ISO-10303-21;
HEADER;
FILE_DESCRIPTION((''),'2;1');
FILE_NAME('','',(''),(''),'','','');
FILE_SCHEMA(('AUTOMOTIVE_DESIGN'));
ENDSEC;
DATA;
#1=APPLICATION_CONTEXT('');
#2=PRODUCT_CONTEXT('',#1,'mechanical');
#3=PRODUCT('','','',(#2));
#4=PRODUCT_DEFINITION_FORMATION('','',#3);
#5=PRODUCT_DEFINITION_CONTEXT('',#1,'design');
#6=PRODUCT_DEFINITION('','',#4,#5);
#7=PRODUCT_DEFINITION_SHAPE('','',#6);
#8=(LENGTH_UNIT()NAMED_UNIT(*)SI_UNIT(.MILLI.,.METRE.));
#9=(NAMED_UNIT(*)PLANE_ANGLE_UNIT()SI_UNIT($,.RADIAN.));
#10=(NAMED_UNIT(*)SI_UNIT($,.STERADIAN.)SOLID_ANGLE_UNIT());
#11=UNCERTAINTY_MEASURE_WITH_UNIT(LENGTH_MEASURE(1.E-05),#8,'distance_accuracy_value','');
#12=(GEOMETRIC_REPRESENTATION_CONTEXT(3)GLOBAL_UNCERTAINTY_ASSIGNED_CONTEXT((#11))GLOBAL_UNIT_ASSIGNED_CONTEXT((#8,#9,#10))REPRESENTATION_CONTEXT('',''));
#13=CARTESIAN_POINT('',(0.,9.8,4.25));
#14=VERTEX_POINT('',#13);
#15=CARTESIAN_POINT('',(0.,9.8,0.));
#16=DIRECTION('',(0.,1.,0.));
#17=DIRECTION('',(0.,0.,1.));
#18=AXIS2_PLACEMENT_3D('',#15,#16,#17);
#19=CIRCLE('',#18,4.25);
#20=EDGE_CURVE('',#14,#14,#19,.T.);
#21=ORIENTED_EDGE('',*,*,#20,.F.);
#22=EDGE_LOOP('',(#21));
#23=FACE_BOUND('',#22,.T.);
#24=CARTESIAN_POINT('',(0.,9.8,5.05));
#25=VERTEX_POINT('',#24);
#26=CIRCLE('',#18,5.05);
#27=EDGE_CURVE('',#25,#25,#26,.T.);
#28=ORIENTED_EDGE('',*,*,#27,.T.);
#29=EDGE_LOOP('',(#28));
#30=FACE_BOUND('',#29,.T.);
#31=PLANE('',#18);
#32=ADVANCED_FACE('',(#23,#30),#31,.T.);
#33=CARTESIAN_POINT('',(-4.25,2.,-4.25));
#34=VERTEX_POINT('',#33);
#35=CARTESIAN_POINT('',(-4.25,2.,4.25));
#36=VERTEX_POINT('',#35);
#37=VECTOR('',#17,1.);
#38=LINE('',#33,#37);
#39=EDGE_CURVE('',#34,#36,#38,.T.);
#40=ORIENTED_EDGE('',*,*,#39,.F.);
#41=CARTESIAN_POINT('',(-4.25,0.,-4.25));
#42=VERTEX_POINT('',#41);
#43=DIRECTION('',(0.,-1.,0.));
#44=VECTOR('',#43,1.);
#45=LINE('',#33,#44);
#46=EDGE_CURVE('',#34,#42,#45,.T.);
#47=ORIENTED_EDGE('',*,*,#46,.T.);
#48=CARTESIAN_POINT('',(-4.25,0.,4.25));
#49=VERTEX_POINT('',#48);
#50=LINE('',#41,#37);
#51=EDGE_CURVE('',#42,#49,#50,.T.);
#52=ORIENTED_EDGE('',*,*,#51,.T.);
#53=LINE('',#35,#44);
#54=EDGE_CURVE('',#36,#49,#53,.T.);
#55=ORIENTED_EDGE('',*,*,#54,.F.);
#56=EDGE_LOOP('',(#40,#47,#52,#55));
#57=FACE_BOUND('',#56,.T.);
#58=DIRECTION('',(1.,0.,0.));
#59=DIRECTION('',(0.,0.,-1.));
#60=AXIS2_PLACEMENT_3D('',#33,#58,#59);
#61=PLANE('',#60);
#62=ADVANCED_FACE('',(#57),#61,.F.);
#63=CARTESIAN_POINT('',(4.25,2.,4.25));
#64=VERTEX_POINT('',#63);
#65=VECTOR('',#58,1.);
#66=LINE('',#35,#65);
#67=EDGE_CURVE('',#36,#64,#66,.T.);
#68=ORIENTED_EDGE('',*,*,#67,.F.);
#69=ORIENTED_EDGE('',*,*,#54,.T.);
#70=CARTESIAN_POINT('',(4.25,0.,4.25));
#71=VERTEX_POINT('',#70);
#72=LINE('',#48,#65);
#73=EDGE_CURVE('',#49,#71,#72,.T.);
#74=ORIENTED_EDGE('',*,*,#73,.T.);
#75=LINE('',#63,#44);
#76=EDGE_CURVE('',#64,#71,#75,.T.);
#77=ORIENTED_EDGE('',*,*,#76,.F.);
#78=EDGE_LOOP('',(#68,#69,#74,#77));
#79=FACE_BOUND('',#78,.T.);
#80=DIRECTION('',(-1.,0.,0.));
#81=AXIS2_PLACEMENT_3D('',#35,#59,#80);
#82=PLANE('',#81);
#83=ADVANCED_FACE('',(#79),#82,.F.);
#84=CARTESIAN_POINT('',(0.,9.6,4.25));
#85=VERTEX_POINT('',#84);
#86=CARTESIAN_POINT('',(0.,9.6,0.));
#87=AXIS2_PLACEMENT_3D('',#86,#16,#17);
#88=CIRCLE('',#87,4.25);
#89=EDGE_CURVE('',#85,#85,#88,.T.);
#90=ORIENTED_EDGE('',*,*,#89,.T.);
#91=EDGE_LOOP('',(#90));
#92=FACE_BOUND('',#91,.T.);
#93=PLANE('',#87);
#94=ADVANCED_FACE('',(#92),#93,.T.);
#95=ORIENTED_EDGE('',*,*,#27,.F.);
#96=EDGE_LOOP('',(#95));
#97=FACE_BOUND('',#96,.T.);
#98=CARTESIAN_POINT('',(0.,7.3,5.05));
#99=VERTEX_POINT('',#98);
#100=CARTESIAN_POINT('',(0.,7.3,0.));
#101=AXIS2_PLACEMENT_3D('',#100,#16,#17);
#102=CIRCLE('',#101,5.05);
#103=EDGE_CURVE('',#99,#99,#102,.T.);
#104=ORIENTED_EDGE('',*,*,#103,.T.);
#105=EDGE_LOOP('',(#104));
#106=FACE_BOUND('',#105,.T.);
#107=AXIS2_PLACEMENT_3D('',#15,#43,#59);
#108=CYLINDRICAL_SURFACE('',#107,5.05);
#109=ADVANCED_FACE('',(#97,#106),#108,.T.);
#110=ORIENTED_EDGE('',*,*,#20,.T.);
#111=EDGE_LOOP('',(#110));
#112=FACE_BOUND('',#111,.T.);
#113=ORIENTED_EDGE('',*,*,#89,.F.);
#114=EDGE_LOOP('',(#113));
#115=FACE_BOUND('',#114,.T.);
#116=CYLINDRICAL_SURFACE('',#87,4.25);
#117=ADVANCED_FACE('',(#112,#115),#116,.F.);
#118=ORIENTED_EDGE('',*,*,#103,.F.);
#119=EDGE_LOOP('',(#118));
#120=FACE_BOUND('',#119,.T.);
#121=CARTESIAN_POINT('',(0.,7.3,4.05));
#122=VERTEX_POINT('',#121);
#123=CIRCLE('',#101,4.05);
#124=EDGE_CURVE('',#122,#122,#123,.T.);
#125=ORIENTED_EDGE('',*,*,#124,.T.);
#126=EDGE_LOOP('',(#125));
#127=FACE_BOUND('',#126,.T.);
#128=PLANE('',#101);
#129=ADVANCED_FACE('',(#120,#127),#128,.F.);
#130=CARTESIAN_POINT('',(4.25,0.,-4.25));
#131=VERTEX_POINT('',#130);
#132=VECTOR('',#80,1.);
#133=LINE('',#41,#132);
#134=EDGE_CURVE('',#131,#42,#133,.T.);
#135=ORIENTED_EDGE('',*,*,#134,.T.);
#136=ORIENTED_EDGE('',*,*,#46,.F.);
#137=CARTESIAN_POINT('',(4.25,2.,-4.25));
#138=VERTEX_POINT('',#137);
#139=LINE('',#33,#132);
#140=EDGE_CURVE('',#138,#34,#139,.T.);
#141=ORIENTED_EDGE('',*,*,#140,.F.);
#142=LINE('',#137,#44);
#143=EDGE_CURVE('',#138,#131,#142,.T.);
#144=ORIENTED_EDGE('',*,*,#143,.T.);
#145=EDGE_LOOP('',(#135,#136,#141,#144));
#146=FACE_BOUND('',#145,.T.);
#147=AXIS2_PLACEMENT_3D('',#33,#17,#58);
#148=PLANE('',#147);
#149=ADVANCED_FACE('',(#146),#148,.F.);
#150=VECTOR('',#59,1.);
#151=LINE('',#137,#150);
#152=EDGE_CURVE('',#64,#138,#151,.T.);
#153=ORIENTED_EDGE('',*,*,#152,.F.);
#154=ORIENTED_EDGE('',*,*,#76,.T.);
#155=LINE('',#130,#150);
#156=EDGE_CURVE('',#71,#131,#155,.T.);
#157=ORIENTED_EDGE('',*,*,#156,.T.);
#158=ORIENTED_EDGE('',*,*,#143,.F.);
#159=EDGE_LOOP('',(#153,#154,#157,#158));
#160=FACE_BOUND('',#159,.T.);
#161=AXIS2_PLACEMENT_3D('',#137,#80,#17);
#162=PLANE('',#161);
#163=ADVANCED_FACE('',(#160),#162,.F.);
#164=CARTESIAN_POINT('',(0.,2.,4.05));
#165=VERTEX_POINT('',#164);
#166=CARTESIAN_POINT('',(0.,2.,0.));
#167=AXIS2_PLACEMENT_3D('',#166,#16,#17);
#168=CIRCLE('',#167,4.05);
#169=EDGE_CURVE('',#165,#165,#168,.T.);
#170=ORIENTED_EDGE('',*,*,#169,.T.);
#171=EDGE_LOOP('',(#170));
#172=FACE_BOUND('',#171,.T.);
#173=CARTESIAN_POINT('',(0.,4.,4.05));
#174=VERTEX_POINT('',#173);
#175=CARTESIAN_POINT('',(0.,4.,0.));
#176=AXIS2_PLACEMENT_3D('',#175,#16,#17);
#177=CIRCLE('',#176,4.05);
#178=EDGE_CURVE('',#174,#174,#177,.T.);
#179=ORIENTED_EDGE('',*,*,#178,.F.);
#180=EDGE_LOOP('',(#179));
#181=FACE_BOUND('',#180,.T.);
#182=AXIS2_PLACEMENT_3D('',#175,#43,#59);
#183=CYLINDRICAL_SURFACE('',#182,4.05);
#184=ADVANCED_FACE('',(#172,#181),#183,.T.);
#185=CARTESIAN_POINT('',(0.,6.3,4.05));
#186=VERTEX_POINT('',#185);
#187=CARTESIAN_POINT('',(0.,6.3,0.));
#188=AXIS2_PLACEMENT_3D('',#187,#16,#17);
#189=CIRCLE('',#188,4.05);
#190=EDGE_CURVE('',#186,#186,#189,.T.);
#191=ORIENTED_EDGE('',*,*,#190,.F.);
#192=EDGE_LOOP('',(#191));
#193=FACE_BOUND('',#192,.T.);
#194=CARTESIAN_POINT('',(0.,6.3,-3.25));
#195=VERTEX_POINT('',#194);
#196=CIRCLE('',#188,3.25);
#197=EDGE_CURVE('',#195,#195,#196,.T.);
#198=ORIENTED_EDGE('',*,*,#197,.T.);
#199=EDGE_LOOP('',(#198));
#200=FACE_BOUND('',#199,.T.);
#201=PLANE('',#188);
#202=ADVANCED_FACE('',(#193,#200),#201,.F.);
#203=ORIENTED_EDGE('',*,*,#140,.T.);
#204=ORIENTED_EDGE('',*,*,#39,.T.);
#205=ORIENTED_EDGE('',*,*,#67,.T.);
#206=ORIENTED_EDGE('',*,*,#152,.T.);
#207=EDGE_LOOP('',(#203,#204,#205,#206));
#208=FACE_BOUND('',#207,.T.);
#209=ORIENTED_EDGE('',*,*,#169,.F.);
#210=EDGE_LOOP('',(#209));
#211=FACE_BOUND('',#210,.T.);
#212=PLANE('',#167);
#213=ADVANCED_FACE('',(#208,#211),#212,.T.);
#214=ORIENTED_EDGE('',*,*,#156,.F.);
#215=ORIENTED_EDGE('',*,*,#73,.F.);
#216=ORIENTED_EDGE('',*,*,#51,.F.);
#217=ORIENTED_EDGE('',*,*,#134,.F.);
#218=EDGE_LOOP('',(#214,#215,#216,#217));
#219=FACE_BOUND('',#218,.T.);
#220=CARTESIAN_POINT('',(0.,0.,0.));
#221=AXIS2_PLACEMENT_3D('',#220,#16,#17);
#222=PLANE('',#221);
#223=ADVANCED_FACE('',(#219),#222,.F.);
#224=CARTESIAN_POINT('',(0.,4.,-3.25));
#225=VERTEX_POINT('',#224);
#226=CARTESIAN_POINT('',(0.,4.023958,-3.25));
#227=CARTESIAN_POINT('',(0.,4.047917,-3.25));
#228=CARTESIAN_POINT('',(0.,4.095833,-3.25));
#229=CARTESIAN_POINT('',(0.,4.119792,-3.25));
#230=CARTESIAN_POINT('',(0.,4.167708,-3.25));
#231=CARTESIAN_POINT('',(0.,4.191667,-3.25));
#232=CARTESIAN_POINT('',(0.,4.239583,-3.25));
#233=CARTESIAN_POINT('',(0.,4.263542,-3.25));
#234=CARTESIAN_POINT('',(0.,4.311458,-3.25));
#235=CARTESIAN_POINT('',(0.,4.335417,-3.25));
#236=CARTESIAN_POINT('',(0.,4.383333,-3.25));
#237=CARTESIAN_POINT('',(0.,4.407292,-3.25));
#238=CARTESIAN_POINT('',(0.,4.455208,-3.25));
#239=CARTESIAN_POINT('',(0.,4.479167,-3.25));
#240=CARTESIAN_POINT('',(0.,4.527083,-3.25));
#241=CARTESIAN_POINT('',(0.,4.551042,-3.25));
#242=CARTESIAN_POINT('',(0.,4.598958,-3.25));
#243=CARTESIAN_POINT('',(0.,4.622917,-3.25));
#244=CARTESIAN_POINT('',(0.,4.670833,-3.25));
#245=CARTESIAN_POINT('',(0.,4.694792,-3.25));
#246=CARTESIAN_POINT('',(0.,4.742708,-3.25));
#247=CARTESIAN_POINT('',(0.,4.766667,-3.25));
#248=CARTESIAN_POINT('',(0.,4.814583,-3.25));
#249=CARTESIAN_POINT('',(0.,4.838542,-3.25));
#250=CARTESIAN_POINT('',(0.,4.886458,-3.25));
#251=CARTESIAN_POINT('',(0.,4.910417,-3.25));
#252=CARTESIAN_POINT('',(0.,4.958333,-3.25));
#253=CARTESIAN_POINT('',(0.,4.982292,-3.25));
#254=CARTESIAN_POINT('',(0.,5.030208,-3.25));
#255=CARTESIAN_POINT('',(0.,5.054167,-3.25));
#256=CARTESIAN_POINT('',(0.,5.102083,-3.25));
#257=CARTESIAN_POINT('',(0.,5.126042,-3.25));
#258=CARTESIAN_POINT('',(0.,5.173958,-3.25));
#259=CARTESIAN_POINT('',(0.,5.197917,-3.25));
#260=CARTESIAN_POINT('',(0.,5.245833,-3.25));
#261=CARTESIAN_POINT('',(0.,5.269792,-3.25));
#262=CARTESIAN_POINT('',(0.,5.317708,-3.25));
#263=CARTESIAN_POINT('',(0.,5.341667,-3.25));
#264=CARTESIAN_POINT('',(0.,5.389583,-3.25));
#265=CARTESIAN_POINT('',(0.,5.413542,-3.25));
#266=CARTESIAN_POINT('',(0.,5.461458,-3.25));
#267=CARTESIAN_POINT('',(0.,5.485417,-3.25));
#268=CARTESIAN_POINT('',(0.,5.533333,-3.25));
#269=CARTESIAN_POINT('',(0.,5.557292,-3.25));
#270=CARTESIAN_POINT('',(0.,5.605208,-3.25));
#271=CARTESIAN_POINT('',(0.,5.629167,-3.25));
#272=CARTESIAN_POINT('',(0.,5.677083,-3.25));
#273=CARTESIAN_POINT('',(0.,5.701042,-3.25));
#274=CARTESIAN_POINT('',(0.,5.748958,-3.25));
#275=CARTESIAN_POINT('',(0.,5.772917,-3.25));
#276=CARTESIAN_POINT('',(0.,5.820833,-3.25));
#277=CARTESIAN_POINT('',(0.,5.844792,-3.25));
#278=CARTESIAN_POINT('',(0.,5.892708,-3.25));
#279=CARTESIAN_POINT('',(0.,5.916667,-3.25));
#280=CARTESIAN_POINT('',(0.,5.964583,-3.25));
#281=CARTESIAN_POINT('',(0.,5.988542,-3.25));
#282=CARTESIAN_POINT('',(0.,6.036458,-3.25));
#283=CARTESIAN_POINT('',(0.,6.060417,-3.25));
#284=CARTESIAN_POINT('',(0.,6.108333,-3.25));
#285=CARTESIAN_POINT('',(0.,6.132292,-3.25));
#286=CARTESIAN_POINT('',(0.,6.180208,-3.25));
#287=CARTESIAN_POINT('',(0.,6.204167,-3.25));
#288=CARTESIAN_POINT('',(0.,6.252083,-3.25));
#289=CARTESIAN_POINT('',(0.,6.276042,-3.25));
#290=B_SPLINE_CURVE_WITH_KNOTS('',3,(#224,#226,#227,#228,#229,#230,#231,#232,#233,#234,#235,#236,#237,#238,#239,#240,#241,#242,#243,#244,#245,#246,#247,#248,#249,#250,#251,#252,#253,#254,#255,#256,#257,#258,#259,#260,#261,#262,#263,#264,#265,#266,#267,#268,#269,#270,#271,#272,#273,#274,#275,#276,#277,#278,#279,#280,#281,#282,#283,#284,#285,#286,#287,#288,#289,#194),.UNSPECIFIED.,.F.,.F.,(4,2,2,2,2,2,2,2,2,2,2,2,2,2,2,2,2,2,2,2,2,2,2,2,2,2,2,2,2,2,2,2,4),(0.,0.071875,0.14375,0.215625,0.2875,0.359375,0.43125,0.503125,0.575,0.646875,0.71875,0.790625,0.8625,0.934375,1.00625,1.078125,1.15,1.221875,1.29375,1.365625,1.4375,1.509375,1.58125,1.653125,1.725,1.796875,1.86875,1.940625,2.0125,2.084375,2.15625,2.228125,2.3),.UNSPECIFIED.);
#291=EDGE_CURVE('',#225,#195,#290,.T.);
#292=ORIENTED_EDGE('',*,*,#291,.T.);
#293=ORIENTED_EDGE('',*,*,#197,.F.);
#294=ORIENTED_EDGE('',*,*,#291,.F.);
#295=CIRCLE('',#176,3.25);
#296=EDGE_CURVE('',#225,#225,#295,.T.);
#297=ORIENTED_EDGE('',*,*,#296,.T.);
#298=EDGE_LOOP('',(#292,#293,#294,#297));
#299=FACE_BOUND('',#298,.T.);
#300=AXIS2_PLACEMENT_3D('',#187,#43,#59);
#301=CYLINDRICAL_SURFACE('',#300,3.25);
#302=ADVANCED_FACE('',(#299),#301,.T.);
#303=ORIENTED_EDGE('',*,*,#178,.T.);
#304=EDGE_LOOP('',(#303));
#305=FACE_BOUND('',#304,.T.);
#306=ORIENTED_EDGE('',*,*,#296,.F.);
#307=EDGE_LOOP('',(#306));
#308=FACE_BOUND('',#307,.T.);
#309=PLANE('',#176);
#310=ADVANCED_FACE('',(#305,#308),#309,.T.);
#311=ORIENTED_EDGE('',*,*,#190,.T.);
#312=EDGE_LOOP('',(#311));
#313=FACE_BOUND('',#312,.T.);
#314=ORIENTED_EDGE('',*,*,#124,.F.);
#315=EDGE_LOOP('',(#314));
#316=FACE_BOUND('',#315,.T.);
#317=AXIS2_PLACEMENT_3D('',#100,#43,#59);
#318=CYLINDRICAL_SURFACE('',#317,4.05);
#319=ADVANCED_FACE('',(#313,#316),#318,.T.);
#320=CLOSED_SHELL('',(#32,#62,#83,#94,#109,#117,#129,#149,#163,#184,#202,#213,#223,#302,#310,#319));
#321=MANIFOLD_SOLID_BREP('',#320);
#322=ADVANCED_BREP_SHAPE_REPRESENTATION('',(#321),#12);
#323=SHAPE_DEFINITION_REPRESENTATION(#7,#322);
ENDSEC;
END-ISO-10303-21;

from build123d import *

# Parameters (mm, degrees)
SKETCH1_W           = 8.5
SKETCH1_H           = 8.5
BOSS_EXTRUDE1_DEPTH = 2
SKETCH2_R           = 4.05
SKETCH2_R_2         = 3.25
BOSS_EXTRUDE2_DEPTH = 2
SKETCH3_R           = 3.25
BOSS_EXTRUDE3_DEPTH = 4.3
SKETCH4_R           = 4.05
BOSS_EXTRUDE4_DEPTH = 1
SKETCH5_R           = 5.05
BOSS_EXTRUDE5_DEPTH = 2.5
SKETCH6_R           = 4.25
CUT_EXTRUDE1_DEPTH  = 0.2


with BuildPart() as part:
    # Sketch1 → Boss-Extrude1 (new body)
    with BuildSketch(Plane(origin=(0, 0, 0), x_dir=(1, 0, 0), z_dir=(0, 1, 0))):
        Rectangle(SKETCH1_W, SKETCH1_H)
    extrude(amount=BOSS_EXTRUDE1_DEPTH)

    # Sketch2 → Boss-Extrude2 (add)
    with BuildSketch(Plane(origin=(0, 2, 0), x_dir=(1, 0, 0), z_dir=(0, 1, 0))):
        with Locations(Location((0, 0, 0), (0, 0, 270))):
            Circle(SKETCH2_R)
        with Locations(Location((0, 0, 0), (0, 0, 270))):
            Circle(SKETCH2_R_2, mode=Mode.SUBTRACT)
    extrude(amount=BOSS_EXTRUDE2_DEPTH)

    # Sketch3 → Boss-Extrude3 (add)
    with BuildSketch(Plane(origin=(0, 2, 0), x_dir=(1, 0, 0), z_dir=(0, 1, 0))):
        with Locations(Location((0, 0, 0), (0, 0, 90))):
            Circle(SKETCH3_R)
    extrude(amount=BOSS_EXTRUDE3_DEPTH)

    # Sketch4 → Boss-Extrude4 (add)
    with BuildSketch(Plane(origin=(0, 6.3, 0), x_dir=(1, 0, 0), z_dir=(0, 1, 0))):
        with Locations(Location((0, 0, 0), (0, 0, 270))):
            Circle(SKETCH4_R)
    extrude(amount=BOSS_EXTRUDE4_DEPTH)

    # Sketch5 → Boss-Extrude5 (add)
    with BuildSketch(Plane(origin=(0, 7.3, 0), x_dir=(1, 0, 0), z_dir=(0, 1, 0))):
        with Locations(Location((0, 0, 0), (0, 0, 270))):
            Circle(SKETCH5_R)
    extrude(amount=BOSS_EXTRUDE5_DEPTH)

    # Sketch6 → Cut-Extrude1 (cut)
    with BuildSketch(Plane(origin=(0, 9.8, 0), x_dir=(1, 0, 0), z_dir=(0, 1, 0))):
        with Locations(Location((0, 0, 0), (0, 0, 270))):
            Circle(SKETCH6_R)
    extrude(amount=-CUT_EXTRUDE1_DEPTH, mode=Mode.SUBTRACT)


solid = part.part
